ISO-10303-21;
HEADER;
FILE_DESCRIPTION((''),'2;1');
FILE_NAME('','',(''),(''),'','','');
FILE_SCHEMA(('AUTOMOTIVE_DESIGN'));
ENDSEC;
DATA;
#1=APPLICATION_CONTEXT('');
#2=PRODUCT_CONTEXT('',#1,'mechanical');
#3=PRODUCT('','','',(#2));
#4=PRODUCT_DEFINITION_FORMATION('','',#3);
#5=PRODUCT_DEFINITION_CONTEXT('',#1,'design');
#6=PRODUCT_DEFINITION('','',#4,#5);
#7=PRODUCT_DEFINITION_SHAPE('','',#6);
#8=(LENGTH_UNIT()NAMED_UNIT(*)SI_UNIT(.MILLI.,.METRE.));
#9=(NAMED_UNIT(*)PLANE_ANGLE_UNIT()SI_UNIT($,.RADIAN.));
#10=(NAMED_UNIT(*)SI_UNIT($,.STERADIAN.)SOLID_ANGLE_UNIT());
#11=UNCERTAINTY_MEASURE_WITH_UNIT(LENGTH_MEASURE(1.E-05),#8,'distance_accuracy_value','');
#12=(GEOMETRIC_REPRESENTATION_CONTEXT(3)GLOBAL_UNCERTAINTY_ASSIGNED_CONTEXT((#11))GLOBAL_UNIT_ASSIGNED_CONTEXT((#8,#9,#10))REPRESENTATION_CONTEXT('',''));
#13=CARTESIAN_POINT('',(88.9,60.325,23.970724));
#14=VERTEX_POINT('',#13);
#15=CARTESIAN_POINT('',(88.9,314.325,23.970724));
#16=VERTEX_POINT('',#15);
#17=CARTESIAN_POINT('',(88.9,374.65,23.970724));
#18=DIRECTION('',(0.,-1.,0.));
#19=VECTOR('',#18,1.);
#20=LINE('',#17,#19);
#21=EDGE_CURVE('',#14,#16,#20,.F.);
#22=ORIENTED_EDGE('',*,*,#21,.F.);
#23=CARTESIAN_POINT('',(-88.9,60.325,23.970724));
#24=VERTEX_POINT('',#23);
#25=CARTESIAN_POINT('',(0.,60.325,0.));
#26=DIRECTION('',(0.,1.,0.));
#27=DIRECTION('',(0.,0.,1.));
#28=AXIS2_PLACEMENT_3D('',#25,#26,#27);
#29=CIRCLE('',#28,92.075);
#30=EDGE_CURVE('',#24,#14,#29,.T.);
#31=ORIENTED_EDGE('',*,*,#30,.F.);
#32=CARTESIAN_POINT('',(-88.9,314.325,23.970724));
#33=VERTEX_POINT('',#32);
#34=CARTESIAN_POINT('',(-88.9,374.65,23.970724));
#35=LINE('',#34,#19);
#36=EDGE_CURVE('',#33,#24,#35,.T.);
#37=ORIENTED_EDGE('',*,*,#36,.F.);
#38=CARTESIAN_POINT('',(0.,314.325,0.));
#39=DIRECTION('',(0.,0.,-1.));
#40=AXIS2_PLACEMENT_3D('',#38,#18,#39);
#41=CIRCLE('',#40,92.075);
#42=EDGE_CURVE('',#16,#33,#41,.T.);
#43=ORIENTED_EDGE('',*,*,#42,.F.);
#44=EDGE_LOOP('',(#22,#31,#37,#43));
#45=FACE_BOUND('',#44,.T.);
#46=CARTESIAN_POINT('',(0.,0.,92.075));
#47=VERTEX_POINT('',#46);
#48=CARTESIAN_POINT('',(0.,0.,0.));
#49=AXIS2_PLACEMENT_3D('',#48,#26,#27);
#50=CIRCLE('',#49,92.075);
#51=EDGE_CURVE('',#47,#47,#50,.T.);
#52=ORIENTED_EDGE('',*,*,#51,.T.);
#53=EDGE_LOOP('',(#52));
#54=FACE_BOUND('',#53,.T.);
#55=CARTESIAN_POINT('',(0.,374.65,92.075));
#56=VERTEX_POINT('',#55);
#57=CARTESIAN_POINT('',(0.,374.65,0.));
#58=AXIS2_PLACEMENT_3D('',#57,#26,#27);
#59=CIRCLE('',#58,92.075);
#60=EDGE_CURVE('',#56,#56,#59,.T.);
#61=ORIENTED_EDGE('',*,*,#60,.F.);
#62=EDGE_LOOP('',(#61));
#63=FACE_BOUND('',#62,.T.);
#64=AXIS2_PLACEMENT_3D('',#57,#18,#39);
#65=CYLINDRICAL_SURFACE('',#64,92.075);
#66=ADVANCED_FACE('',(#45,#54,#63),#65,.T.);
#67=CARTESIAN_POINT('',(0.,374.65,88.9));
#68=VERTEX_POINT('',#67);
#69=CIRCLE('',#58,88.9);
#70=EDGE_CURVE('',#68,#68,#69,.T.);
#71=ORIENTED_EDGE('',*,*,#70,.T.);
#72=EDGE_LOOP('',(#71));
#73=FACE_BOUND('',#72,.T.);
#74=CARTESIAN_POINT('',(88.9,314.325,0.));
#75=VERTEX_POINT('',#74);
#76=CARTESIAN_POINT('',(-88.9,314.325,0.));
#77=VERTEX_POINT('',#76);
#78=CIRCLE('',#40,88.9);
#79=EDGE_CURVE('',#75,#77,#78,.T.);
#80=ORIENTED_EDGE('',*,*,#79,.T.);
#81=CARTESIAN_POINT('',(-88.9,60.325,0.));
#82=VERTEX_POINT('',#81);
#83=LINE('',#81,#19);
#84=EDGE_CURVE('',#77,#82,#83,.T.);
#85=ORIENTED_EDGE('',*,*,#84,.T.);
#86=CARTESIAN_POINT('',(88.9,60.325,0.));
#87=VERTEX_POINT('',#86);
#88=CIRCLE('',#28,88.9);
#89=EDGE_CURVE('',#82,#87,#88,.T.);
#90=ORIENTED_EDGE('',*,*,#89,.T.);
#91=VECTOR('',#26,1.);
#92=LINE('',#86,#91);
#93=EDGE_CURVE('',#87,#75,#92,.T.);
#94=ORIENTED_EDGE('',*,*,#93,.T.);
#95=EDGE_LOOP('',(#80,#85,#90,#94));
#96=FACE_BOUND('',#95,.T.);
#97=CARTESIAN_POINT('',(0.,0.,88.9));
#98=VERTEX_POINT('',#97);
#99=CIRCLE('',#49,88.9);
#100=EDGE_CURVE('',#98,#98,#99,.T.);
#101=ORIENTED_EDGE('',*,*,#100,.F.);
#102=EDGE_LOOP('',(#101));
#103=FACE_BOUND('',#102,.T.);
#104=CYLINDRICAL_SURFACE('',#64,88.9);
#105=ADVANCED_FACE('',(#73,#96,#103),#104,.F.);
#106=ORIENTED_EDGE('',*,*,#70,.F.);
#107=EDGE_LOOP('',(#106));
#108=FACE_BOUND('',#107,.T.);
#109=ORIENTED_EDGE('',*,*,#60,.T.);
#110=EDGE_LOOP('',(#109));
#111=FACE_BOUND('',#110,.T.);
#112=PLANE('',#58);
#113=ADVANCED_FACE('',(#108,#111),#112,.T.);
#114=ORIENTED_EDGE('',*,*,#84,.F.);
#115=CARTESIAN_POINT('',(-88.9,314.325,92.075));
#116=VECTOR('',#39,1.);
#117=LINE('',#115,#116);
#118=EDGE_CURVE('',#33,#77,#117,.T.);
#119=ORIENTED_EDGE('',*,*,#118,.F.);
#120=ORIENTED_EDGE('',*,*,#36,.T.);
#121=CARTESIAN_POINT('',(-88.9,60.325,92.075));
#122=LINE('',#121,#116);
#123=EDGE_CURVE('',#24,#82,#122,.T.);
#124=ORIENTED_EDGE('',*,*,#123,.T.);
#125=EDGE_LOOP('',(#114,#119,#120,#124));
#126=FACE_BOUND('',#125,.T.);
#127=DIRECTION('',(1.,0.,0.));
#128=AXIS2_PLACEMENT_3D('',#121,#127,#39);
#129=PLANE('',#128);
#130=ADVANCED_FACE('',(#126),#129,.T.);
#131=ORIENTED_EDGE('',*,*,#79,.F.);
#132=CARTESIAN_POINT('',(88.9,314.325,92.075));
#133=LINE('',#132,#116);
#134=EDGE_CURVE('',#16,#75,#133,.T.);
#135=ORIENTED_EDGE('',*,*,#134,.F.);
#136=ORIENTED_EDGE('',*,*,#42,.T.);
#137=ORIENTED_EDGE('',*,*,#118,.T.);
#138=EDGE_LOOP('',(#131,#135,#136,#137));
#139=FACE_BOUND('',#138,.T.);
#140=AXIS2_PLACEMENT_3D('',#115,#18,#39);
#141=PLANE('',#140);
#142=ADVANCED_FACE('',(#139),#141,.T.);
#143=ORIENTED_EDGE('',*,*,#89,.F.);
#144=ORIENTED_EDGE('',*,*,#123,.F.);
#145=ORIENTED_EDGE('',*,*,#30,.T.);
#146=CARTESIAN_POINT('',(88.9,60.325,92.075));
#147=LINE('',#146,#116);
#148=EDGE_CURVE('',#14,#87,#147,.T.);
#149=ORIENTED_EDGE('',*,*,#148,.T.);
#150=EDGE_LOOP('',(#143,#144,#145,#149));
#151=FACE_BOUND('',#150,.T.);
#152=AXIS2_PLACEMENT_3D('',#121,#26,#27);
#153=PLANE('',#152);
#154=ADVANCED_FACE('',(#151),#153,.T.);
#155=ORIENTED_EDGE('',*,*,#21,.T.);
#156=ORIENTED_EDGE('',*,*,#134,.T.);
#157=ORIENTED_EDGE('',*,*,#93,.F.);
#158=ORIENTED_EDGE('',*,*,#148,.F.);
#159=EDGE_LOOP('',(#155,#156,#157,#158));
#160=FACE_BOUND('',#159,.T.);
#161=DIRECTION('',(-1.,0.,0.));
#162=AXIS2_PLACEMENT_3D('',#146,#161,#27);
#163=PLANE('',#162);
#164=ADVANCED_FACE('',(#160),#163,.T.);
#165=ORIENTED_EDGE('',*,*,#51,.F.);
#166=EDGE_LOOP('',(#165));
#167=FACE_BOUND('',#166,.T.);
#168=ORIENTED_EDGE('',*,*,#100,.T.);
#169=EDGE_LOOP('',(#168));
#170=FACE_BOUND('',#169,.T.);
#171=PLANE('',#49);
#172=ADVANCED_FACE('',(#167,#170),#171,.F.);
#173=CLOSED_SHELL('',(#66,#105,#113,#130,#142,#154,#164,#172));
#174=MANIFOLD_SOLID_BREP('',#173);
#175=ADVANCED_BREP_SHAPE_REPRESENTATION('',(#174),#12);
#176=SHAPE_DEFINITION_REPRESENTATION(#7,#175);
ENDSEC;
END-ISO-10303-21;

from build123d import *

# Parameters (mm, degrees)
SKETCH1_R           = 92.075
SKETCH1_R_2         = 88.9
BOSS_EXTRUDE1_DEPTH = 374.65
SKETCH2_W           = 177.8
SKETCH2_H           = 254
CUT_EXTRUDE1_DEPTH  = 93.075


with BuildPart() as part:
    # Sketch1 → Boss-Extrude1 (new body)
    with BuildSketch(Plane(origin=(0, 0, 0), x_dir=(1, 0, 0), z_dir=(0, 1, 0))):
        Circle(SKETCH1_R)
        Circle(SKETCH1_R_2, mode=Mode.SUBTRACT)
    extrude(amount=BOSS_EXTRUDE1_DEPTH)

    # Sketch2 → Cut-Extrude1 (cut, through all)
    with BuildSketch(Plane.XY):
        with Locations((0, 187.325)):
            Rectangle(SKETCH2_W, SKETCH2_H)
    extrude(amount=CUT_EXTRUDE1_DEPTH, mode=Mode.SUBTRACT)


solid = part.part
